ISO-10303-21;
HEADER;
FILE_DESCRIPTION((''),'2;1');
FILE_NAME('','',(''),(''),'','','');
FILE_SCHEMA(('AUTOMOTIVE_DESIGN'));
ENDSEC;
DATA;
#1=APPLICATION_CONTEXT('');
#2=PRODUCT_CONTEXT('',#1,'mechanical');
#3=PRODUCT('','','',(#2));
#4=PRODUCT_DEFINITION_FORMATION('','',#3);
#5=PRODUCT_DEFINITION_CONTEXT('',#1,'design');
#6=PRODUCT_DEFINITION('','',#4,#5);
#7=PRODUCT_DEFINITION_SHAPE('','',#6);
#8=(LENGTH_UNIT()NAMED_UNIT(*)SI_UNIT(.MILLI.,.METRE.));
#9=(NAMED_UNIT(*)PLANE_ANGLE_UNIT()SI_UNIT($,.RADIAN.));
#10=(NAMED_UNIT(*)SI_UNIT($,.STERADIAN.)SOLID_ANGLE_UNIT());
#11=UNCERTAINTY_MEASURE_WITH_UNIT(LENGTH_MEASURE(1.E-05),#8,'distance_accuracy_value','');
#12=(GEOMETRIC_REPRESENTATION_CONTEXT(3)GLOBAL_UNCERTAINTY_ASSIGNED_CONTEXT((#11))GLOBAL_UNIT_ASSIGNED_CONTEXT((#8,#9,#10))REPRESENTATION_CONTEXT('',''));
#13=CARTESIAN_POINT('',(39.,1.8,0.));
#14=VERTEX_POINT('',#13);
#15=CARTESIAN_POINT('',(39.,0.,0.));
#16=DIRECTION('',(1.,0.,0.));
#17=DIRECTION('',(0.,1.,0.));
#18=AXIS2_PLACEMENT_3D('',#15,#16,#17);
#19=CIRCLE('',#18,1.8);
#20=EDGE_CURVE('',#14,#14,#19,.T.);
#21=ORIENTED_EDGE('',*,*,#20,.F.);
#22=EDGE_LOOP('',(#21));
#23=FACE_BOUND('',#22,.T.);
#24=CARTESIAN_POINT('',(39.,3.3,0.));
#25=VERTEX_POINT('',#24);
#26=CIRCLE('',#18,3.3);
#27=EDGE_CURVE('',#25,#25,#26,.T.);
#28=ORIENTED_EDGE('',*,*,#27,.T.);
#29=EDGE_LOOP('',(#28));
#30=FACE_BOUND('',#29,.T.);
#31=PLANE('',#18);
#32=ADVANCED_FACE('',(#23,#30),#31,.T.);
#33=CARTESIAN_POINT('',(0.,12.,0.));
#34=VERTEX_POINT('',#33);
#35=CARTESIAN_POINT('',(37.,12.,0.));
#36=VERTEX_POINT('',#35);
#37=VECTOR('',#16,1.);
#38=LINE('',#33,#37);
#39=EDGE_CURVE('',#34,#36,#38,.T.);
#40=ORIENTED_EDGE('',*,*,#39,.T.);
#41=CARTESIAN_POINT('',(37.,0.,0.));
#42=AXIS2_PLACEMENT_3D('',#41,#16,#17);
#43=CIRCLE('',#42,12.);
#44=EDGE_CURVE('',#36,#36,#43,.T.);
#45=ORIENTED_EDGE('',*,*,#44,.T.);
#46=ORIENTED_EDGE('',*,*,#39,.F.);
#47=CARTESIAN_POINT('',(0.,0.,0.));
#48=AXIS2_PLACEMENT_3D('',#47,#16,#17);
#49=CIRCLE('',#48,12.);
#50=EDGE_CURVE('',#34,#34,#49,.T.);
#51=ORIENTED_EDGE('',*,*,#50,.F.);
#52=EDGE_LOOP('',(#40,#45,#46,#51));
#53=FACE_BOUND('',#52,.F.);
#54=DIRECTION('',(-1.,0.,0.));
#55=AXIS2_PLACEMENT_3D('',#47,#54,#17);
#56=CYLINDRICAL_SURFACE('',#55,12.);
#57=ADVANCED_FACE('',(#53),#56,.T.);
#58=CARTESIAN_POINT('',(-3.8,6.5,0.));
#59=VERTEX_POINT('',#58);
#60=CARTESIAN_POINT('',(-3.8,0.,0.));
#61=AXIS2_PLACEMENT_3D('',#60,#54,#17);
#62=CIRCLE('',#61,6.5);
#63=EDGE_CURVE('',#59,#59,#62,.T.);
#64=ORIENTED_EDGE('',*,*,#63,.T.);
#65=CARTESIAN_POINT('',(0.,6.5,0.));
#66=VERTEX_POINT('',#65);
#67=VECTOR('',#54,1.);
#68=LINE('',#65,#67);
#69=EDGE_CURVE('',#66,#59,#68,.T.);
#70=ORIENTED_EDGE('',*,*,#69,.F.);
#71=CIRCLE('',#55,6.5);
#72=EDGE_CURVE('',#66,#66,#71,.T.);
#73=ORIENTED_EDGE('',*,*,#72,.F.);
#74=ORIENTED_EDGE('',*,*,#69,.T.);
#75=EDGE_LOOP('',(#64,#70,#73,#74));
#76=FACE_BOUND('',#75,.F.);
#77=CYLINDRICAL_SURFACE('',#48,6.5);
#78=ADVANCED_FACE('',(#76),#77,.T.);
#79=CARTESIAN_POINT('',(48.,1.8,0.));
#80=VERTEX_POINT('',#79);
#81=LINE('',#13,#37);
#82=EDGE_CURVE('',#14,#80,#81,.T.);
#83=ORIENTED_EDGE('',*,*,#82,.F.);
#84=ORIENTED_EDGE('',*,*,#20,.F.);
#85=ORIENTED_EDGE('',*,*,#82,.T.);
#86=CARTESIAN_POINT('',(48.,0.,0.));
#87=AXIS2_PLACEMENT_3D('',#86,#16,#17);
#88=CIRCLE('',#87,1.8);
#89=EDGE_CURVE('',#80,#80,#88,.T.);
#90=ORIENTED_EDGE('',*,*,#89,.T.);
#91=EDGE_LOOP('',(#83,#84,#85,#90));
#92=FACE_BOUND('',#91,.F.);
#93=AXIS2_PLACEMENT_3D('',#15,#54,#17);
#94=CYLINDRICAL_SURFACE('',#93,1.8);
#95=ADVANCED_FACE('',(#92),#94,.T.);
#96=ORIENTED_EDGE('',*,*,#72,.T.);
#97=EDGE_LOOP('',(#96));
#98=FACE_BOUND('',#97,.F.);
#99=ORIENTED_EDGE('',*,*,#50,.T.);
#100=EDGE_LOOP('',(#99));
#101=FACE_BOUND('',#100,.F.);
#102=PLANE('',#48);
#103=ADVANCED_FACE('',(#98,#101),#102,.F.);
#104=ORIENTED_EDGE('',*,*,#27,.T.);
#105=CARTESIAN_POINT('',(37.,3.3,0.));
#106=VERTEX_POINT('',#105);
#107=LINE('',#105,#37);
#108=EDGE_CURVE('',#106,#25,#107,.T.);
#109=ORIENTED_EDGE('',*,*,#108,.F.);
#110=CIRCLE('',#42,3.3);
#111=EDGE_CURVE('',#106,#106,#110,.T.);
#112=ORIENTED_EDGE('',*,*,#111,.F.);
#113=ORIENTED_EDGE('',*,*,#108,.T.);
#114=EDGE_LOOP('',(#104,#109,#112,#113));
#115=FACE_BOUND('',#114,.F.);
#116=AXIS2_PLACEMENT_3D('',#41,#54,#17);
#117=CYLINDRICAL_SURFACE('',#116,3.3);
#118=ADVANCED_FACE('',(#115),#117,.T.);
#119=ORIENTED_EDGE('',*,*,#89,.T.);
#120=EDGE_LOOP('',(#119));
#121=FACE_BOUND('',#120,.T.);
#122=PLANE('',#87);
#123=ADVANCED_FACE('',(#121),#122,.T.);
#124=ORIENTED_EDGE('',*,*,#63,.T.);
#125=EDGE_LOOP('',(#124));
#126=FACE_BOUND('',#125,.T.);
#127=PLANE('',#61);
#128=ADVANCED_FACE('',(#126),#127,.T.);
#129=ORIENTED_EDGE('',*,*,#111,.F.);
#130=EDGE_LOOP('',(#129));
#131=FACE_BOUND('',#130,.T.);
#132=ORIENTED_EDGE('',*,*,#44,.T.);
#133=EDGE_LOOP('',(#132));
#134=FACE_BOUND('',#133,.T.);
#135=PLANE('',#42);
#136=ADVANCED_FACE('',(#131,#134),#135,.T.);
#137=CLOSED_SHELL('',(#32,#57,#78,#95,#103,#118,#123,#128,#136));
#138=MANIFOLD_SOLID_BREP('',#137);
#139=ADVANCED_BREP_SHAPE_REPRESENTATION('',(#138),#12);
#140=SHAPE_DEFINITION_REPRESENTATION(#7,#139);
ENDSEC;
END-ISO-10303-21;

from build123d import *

# Parameters (mm, degrees)
SKETCH_R     = 12
PAD_DEPTH    = 37
SKETCH001_R  = 3.3
PAD001_DEPTH = 2
SKETCH002_R  = 6.5
PAD002_DEPTH = 3.8
SKETCH003_R  = 1.8
PAD003_DEPTH = 9


with BuildPart() as part:
    # Sketch → Pad (new body)
    with BuildSketch(Plane.YZ):
        Circle(SKETCH_R)
    extrude(amount=PAD_DEPTH)

    # Sketch001 (on Face3 of Pad) → Pad001 (join)
    with BuildSketch(Plane.YZ.offset(37)):
        Circle(SKETCH001_R)
    extrude(amount=PAD001_DEPTH)

    # Sketch002 (on Face2 of Pad001) → Pad002 (join)
    with BuildSketch(Plane(origin=(0, 0, 0), x_dir=(0, 1, 0), z_dir=(-1, 0, 0))):
        Circle(SKETCH002_R)
    extrude(amount=PAD002_DEPTH)

    # Sketch003 (on Face7 of Pad002) → Pad003 (join)
    with BuildSketch(Plane.YZ.offset(39)):
        Circle(SKETCH003_R)
    extrude(amount=PAD003_DEPTH)


solid = part.part
